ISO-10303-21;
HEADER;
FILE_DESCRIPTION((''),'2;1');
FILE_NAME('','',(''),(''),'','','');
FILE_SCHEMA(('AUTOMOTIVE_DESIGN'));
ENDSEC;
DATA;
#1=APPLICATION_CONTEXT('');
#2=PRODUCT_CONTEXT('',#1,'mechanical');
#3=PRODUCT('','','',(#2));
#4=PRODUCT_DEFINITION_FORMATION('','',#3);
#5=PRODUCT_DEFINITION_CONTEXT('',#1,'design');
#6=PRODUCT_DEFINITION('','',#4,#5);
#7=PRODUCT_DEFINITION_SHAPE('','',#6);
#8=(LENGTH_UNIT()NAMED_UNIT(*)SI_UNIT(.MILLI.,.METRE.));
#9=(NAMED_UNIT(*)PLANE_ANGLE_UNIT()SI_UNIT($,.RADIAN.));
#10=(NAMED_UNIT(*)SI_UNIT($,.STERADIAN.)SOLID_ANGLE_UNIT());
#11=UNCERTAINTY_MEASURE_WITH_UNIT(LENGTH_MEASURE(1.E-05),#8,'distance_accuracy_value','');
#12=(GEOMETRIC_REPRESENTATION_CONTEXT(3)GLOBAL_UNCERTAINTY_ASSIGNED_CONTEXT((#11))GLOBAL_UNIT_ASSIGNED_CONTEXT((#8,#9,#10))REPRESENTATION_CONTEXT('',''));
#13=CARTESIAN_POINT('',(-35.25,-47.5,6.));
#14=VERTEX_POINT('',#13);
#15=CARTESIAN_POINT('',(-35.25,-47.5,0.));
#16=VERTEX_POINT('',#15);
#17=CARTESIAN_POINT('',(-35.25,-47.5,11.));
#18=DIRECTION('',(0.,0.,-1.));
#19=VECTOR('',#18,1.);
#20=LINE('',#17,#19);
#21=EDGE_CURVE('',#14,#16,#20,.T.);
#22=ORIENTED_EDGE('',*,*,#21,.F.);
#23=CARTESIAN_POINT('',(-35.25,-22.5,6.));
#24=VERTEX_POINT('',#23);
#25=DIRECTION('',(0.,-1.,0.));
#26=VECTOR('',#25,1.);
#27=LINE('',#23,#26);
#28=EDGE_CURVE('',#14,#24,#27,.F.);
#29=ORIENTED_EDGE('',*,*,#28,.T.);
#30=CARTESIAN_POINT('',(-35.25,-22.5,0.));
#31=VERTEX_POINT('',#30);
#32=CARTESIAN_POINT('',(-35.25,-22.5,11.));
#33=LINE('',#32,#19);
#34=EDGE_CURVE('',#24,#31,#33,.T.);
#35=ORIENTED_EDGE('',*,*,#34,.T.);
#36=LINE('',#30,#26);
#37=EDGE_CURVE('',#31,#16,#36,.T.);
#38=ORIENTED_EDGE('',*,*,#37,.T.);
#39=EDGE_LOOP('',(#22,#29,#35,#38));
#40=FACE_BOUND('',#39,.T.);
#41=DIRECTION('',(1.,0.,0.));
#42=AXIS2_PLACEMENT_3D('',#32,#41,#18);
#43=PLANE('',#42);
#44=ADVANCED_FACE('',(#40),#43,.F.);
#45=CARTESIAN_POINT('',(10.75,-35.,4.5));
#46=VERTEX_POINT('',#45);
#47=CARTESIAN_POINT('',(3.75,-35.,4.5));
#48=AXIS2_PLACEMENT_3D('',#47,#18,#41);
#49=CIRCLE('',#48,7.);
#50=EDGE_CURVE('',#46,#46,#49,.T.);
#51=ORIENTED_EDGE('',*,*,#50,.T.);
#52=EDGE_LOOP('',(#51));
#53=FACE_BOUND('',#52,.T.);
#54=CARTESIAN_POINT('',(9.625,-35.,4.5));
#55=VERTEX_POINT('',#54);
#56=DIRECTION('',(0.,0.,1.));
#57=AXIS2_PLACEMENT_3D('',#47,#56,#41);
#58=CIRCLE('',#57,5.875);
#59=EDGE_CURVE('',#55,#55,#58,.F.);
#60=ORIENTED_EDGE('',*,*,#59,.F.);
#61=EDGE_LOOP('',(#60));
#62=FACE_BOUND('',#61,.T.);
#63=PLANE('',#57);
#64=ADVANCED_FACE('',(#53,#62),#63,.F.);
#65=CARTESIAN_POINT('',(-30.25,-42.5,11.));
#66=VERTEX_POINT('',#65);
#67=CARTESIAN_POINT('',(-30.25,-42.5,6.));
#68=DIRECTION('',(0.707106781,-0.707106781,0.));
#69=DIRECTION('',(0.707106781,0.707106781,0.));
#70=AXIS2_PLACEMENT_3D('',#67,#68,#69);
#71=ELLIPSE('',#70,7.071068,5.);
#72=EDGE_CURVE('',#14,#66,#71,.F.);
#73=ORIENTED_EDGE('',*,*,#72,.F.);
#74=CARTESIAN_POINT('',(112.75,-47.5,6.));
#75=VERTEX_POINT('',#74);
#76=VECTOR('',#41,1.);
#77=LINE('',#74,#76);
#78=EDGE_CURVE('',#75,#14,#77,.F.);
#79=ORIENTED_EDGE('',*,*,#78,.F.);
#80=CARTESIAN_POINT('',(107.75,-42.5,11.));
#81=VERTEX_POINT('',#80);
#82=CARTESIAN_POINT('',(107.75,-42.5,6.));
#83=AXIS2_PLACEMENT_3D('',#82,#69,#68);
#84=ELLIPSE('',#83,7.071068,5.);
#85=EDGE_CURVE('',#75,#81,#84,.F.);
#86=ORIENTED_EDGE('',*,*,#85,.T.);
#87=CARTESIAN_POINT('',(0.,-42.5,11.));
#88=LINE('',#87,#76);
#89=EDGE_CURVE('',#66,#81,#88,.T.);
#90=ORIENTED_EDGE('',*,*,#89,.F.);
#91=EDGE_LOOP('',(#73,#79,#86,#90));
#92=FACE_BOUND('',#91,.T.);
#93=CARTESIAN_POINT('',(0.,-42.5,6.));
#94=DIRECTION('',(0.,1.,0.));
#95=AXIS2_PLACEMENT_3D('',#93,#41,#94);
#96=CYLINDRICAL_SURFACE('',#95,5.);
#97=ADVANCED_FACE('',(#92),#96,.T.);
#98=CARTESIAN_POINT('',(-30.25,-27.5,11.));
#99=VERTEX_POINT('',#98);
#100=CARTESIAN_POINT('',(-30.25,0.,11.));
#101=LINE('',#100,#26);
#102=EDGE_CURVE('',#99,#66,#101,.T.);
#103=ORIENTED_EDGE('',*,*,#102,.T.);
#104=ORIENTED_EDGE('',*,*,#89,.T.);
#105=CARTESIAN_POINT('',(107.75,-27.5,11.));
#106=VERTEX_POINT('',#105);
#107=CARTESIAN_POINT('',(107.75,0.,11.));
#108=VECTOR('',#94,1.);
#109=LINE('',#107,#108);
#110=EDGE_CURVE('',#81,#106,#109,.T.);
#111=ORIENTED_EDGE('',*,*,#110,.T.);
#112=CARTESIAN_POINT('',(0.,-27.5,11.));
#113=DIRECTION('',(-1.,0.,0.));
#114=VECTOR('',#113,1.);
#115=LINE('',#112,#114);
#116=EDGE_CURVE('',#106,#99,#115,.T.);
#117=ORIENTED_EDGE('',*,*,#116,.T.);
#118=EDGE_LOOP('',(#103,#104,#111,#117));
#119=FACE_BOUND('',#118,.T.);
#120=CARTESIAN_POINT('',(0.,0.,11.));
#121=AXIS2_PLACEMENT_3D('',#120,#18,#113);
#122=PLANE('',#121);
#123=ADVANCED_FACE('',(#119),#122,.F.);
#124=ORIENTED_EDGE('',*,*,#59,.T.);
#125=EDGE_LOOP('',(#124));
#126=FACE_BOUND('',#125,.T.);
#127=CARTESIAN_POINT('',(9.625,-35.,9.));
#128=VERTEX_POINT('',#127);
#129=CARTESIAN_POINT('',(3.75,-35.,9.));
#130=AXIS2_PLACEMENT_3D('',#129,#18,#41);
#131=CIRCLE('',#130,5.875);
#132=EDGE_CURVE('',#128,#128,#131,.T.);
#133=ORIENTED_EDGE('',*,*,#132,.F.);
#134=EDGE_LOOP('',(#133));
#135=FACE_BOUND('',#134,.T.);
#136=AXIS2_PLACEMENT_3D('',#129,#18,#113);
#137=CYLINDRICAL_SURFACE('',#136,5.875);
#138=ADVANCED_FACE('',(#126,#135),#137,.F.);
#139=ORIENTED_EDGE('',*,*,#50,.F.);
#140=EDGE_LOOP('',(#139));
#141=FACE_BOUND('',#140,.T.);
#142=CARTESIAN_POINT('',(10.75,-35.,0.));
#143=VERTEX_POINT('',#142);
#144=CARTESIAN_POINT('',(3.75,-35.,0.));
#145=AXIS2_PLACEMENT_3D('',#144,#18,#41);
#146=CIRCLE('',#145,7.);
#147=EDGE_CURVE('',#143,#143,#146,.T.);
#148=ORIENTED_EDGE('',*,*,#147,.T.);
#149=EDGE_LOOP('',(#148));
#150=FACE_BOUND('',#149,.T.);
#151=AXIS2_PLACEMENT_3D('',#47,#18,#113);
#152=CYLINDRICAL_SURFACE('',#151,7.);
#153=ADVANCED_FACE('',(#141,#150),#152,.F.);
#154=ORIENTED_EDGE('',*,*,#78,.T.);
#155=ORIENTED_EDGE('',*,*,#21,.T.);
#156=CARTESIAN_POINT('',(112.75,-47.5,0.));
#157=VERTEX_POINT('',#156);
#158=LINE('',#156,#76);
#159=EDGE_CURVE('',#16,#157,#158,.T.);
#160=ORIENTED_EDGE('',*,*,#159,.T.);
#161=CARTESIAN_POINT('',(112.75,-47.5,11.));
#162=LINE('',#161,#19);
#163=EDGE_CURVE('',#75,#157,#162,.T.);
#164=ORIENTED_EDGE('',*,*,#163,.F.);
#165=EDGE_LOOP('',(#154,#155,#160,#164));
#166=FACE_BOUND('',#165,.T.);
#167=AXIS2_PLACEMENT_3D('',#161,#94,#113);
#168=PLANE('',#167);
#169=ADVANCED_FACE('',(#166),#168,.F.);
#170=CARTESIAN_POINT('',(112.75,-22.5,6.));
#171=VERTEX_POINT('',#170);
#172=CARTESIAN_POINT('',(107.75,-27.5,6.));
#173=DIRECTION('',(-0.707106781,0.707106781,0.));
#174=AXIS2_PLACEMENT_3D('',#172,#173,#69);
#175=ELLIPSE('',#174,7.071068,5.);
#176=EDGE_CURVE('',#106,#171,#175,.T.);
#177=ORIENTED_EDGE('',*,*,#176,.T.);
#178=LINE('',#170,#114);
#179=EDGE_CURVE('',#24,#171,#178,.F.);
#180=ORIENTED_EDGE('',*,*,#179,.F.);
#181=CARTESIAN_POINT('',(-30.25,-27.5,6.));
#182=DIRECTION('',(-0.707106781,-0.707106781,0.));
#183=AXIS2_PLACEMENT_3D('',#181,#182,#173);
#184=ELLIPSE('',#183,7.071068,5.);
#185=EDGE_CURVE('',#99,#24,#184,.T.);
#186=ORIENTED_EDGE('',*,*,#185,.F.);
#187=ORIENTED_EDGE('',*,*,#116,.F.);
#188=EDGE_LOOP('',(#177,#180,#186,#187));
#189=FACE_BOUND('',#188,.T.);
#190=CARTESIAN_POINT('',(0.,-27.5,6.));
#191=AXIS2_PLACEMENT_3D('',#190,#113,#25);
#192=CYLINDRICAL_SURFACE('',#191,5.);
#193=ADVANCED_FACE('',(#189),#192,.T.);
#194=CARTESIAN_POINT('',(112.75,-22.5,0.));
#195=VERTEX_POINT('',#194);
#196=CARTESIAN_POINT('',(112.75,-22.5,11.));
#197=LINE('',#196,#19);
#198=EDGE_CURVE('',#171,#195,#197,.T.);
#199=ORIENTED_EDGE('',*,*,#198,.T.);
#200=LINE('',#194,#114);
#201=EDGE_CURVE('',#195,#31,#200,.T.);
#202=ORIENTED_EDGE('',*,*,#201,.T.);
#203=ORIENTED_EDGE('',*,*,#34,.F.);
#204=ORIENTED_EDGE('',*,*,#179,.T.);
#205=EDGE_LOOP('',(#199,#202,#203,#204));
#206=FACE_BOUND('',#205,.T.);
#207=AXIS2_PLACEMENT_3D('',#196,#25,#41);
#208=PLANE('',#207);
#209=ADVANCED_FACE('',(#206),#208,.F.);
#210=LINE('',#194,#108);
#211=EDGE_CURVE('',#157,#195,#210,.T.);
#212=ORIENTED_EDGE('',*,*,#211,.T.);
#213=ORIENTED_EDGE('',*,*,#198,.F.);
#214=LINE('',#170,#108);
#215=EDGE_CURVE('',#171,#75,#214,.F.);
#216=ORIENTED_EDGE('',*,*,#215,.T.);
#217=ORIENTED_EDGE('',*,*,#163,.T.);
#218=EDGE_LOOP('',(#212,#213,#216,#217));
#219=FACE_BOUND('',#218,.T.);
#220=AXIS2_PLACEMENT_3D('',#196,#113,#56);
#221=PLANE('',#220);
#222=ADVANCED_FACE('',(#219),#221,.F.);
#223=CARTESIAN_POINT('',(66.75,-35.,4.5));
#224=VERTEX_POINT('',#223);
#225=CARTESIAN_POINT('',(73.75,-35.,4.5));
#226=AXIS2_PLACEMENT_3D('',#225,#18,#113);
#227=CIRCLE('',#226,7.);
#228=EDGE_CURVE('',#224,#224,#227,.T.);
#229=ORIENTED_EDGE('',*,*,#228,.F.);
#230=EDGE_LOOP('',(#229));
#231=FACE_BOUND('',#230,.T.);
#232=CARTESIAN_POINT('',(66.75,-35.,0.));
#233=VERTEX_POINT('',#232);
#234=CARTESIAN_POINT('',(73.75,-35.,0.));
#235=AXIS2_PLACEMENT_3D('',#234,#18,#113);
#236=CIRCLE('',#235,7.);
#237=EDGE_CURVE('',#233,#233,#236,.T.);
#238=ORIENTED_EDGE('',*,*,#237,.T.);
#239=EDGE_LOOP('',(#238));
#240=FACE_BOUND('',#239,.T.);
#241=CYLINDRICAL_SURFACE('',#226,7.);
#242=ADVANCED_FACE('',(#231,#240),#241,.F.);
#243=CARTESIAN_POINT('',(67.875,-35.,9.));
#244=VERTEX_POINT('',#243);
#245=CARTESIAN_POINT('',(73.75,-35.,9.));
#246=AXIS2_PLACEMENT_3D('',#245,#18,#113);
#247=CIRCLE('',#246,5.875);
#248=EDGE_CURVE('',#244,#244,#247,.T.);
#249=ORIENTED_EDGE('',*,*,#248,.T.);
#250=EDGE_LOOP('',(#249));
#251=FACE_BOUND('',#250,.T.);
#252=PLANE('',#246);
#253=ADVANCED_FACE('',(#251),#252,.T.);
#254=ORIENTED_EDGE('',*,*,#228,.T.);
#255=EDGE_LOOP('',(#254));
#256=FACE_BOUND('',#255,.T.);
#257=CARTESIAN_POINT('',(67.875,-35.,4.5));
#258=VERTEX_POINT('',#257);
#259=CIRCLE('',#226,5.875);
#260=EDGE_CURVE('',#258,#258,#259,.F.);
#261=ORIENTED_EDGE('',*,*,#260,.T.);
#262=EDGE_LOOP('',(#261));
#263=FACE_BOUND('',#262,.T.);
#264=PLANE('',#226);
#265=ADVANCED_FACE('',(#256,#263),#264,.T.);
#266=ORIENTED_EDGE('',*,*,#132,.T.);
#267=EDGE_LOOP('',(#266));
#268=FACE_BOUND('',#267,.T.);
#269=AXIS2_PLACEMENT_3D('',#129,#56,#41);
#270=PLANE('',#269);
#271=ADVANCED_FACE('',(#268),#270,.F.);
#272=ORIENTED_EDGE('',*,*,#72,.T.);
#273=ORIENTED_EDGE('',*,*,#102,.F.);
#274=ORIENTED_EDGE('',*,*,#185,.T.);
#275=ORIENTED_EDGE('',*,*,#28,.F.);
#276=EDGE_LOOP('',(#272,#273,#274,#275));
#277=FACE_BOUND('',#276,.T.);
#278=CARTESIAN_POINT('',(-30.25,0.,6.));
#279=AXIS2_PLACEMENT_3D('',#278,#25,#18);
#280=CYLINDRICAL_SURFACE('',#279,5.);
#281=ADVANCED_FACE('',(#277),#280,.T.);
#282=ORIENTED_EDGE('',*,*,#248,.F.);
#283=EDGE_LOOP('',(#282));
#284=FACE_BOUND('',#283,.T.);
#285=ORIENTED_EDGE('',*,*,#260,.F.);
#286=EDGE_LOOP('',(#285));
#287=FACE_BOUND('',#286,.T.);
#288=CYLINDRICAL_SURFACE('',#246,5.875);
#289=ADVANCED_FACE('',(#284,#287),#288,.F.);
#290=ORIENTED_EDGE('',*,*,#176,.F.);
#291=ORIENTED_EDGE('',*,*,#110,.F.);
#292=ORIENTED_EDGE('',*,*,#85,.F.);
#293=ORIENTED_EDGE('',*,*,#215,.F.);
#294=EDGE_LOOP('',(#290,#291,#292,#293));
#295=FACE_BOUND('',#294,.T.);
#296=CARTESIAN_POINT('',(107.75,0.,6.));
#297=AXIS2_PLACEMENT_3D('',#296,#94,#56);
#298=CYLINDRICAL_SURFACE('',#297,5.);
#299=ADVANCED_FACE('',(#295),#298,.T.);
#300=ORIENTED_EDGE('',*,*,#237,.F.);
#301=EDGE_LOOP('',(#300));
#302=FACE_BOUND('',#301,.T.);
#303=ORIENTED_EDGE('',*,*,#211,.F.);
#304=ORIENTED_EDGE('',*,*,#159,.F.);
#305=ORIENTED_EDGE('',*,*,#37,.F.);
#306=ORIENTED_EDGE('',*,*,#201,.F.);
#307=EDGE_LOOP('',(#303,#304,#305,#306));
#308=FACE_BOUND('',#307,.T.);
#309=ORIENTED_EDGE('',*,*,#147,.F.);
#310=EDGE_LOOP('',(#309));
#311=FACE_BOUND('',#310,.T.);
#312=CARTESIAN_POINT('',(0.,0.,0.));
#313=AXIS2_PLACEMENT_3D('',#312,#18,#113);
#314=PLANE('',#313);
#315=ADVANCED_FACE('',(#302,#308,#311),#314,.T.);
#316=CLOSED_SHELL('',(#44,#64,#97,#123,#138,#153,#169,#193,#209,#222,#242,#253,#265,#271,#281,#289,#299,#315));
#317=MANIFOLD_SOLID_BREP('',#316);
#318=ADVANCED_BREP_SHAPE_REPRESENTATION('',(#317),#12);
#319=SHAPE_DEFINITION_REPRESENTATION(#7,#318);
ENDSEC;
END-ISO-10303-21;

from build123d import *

# Parameters (mm, degrees)
CROQUIS1_W              = 148
CROQUIS1_H              = 25
SALIENTE_EXTRUIR1_DEPTH = 11
REDONDEO1_R             = 5
CROQUIS2_R              = 5.875
CORTAR_EXTRUIR1_DEPTH   = 9
CROQUIS3_R              = 7
CORTAR_EXTRUIR2_DEPTH   = 4.5


with BuildPart() as part:
    # Croquis1 → Saliente-Extruir1 (new body)
    with BuildSketch(Plane.XY):
        with Locations((38.75, -35)):
            Rectangle(CROQUIS1_W, CROQUIS1_H)
    extrude(amount=SALIENTE_EXTRUIR1_DEPTH)

    # Redondeo1
    redondeo1_edges = [part.edges().sort_by_distance(p)[0] for p in [
        (112.75, -35, 11),
        (38.75, -22.5, 11),
        (-35.25, -35, 11),
        (38.75, -47.5, 11),
    ]]
    fillet(redondeo1_edges, radius=REDONDEO1_R)

    # Croquis2 → Cortar-Extruir1 (cut)
    with BuildSketch(Plane(origin=(0, 0, 0), x_dir=(-1, 0, 0), z_dir=(0, 0, -1))):
        with Locations((-73.75, -35)):
            Circle(CROQUIS2_R)
        with Locations(Location((-3.75, -35, 0), (0, 0, 180))):  # turned: the seam where the file's is
            Circle(CROQUIS2_R)
    extrude(amount=-CORTAR_EXTRUIR1_DEPTH, mode=Mode.SUBTRACT)

    # Croquis3 → Cortar-Extruir2 (cut)
    with BuildSketch(Plane(origin=(0, 0, 0), x_dir=(-1, 0, 0), z_dir=(0, 0, -1))):
        with Locations((-73.75, -35)):
            Circle(CROQUIS3_R)
        with Locations(Location((-3.75, -35, 0), (0, 0, 180))):  # turned: the seam where the file's is
            Circle(CROQUIS3_R)
    extrude(amount=-CORTAR_EXTRUIR2_DEPTH, mode=Mode.SUBTRACT)


solid = part.part
